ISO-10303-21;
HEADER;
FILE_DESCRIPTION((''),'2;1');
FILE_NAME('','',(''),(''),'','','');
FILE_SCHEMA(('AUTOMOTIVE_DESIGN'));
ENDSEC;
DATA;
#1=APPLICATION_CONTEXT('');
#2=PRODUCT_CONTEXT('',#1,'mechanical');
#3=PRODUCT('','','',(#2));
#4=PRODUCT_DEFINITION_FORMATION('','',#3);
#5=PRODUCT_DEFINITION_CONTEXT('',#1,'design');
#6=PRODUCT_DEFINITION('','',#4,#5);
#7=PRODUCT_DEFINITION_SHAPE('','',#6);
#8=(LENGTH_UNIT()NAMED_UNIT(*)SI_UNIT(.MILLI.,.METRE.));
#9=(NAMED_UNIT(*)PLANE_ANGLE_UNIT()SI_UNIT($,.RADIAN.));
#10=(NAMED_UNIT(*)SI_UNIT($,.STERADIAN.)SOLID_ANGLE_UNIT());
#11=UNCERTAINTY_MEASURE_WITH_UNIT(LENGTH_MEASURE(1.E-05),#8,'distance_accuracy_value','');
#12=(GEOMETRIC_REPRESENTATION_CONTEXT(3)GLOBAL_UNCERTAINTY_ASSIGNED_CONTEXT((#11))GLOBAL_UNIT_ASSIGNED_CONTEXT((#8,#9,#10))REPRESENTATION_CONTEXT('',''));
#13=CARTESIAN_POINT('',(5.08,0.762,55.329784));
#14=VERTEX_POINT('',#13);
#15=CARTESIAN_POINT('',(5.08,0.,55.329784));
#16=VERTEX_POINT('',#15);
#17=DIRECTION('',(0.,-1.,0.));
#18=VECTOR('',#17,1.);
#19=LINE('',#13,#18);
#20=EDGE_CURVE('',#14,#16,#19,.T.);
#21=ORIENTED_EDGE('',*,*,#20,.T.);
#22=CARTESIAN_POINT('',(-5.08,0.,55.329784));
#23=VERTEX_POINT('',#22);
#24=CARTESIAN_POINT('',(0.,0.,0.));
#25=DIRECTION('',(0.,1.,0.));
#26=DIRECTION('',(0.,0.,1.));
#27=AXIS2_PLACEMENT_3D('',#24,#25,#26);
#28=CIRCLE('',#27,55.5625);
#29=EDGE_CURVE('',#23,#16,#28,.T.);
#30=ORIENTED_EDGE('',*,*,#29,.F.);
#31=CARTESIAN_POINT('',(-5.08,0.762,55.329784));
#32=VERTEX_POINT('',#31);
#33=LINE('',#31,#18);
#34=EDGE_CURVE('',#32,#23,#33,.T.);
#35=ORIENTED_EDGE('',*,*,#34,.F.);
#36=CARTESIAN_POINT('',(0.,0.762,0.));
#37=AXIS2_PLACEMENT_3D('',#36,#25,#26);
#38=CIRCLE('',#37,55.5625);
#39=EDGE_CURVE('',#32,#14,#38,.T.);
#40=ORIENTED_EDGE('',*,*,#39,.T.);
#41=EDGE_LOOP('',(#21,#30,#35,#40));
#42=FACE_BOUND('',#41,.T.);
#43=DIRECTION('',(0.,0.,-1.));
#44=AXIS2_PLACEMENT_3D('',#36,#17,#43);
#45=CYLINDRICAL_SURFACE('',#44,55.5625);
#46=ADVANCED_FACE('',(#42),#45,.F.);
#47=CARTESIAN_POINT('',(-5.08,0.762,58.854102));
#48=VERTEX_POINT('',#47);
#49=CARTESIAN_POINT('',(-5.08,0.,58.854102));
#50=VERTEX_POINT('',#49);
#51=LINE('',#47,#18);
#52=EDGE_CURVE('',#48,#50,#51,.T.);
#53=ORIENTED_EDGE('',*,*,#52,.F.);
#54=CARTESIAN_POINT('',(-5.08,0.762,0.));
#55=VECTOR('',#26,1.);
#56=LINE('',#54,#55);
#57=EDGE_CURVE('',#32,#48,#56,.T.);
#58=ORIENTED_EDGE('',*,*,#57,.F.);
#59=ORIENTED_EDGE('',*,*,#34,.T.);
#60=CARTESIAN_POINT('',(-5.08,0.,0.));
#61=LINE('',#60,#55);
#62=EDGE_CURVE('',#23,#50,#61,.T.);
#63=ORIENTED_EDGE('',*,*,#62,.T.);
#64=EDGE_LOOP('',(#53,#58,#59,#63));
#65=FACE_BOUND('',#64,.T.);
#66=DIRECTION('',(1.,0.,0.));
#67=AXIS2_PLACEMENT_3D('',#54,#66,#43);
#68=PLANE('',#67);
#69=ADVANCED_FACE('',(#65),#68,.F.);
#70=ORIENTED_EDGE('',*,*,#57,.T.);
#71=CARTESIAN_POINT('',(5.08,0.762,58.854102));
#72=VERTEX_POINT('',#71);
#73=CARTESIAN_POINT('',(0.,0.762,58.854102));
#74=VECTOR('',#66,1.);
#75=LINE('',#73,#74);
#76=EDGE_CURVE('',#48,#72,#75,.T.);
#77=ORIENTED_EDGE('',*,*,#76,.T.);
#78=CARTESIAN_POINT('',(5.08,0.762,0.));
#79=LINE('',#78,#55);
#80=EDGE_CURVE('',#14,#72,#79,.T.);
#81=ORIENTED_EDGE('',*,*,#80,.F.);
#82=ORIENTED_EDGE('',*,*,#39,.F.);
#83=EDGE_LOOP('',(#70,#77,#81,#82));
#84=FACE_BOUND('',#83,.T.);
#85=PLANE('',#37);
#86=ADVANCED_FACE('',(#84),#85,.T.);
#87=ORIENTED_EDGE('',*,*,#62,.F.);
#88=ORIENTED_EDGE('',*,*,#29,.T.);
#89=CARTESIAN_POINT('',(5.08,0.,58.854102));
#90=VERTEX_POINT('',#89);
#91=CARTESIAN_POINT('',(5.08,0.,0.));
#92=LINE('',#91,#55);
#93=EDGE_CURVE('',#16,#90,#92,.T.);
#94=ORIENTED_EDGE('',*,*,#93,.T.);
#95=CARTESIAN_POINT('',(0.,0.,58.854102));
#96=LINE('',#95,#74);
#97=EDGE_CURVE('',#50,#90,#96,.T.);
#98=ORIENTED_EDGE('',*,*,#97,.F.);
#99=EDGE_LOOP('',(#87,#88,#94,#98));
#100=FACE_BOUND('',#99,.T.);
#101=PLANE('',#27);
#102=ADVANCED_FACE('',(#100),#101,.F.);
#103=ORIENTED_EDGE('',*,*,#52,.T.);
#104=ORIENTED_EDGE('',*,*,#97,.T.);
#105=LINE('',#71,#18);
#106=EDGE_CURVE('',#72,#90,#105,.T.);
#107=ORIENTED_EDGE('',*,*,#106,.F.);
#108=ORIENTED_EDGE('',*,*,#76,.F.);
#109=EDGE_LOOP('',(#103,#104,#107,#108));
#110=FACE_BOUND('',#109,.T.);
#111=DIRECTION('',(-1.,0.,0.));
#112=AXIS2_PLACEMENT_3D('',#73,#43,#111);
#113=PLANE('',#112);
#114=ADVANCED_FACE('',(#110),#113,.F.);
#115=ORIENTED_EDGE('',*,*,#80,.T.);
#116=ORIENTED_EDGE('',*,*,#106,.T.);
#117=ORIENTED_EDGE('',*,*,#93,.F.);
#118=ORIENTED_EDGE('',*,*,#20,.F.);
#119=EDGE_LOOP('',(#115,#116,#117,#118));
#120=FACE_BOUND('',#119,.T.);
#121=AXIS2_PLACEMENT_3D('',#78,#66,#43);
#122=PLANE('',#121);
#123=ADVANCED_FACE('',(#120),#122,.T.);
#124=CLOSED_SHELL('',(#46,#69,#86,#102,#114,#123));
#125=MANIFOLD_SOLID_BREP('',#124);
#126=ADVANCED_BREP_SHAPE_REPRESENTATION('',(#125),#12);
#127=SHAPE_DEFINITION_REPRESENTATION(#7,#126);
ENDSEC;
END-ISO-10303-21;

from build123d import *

# Parameters (mm, degrees)
BOSS_EXTRUDE1_DEPTH = 0.762


with BuildPart() as part:
    # Sketch1 → Boss-Extrude1 (new body)
    with BuildSketch(Plane(origin=(0, 0, 0), x_dir=(1, 0, 0), z_dir=(0, 1, 0))):
        with BuildLine():
            ThreePointArc((5.08, -55.329784079), (0, -55.5625), (-5.08, -55.329784079))
            Line((-5.08, -55.329784079), (-5.08, -58.854101994))
            Line((-5.08, -58.854101994), (5.08, -58.854101994))
            Line((5.08, -58.854101994), (5.08, -55.329784079))
        make_face()
    extrude(amount=BOSS_EXTRUDE1_DEPTH)


solid = part.part
